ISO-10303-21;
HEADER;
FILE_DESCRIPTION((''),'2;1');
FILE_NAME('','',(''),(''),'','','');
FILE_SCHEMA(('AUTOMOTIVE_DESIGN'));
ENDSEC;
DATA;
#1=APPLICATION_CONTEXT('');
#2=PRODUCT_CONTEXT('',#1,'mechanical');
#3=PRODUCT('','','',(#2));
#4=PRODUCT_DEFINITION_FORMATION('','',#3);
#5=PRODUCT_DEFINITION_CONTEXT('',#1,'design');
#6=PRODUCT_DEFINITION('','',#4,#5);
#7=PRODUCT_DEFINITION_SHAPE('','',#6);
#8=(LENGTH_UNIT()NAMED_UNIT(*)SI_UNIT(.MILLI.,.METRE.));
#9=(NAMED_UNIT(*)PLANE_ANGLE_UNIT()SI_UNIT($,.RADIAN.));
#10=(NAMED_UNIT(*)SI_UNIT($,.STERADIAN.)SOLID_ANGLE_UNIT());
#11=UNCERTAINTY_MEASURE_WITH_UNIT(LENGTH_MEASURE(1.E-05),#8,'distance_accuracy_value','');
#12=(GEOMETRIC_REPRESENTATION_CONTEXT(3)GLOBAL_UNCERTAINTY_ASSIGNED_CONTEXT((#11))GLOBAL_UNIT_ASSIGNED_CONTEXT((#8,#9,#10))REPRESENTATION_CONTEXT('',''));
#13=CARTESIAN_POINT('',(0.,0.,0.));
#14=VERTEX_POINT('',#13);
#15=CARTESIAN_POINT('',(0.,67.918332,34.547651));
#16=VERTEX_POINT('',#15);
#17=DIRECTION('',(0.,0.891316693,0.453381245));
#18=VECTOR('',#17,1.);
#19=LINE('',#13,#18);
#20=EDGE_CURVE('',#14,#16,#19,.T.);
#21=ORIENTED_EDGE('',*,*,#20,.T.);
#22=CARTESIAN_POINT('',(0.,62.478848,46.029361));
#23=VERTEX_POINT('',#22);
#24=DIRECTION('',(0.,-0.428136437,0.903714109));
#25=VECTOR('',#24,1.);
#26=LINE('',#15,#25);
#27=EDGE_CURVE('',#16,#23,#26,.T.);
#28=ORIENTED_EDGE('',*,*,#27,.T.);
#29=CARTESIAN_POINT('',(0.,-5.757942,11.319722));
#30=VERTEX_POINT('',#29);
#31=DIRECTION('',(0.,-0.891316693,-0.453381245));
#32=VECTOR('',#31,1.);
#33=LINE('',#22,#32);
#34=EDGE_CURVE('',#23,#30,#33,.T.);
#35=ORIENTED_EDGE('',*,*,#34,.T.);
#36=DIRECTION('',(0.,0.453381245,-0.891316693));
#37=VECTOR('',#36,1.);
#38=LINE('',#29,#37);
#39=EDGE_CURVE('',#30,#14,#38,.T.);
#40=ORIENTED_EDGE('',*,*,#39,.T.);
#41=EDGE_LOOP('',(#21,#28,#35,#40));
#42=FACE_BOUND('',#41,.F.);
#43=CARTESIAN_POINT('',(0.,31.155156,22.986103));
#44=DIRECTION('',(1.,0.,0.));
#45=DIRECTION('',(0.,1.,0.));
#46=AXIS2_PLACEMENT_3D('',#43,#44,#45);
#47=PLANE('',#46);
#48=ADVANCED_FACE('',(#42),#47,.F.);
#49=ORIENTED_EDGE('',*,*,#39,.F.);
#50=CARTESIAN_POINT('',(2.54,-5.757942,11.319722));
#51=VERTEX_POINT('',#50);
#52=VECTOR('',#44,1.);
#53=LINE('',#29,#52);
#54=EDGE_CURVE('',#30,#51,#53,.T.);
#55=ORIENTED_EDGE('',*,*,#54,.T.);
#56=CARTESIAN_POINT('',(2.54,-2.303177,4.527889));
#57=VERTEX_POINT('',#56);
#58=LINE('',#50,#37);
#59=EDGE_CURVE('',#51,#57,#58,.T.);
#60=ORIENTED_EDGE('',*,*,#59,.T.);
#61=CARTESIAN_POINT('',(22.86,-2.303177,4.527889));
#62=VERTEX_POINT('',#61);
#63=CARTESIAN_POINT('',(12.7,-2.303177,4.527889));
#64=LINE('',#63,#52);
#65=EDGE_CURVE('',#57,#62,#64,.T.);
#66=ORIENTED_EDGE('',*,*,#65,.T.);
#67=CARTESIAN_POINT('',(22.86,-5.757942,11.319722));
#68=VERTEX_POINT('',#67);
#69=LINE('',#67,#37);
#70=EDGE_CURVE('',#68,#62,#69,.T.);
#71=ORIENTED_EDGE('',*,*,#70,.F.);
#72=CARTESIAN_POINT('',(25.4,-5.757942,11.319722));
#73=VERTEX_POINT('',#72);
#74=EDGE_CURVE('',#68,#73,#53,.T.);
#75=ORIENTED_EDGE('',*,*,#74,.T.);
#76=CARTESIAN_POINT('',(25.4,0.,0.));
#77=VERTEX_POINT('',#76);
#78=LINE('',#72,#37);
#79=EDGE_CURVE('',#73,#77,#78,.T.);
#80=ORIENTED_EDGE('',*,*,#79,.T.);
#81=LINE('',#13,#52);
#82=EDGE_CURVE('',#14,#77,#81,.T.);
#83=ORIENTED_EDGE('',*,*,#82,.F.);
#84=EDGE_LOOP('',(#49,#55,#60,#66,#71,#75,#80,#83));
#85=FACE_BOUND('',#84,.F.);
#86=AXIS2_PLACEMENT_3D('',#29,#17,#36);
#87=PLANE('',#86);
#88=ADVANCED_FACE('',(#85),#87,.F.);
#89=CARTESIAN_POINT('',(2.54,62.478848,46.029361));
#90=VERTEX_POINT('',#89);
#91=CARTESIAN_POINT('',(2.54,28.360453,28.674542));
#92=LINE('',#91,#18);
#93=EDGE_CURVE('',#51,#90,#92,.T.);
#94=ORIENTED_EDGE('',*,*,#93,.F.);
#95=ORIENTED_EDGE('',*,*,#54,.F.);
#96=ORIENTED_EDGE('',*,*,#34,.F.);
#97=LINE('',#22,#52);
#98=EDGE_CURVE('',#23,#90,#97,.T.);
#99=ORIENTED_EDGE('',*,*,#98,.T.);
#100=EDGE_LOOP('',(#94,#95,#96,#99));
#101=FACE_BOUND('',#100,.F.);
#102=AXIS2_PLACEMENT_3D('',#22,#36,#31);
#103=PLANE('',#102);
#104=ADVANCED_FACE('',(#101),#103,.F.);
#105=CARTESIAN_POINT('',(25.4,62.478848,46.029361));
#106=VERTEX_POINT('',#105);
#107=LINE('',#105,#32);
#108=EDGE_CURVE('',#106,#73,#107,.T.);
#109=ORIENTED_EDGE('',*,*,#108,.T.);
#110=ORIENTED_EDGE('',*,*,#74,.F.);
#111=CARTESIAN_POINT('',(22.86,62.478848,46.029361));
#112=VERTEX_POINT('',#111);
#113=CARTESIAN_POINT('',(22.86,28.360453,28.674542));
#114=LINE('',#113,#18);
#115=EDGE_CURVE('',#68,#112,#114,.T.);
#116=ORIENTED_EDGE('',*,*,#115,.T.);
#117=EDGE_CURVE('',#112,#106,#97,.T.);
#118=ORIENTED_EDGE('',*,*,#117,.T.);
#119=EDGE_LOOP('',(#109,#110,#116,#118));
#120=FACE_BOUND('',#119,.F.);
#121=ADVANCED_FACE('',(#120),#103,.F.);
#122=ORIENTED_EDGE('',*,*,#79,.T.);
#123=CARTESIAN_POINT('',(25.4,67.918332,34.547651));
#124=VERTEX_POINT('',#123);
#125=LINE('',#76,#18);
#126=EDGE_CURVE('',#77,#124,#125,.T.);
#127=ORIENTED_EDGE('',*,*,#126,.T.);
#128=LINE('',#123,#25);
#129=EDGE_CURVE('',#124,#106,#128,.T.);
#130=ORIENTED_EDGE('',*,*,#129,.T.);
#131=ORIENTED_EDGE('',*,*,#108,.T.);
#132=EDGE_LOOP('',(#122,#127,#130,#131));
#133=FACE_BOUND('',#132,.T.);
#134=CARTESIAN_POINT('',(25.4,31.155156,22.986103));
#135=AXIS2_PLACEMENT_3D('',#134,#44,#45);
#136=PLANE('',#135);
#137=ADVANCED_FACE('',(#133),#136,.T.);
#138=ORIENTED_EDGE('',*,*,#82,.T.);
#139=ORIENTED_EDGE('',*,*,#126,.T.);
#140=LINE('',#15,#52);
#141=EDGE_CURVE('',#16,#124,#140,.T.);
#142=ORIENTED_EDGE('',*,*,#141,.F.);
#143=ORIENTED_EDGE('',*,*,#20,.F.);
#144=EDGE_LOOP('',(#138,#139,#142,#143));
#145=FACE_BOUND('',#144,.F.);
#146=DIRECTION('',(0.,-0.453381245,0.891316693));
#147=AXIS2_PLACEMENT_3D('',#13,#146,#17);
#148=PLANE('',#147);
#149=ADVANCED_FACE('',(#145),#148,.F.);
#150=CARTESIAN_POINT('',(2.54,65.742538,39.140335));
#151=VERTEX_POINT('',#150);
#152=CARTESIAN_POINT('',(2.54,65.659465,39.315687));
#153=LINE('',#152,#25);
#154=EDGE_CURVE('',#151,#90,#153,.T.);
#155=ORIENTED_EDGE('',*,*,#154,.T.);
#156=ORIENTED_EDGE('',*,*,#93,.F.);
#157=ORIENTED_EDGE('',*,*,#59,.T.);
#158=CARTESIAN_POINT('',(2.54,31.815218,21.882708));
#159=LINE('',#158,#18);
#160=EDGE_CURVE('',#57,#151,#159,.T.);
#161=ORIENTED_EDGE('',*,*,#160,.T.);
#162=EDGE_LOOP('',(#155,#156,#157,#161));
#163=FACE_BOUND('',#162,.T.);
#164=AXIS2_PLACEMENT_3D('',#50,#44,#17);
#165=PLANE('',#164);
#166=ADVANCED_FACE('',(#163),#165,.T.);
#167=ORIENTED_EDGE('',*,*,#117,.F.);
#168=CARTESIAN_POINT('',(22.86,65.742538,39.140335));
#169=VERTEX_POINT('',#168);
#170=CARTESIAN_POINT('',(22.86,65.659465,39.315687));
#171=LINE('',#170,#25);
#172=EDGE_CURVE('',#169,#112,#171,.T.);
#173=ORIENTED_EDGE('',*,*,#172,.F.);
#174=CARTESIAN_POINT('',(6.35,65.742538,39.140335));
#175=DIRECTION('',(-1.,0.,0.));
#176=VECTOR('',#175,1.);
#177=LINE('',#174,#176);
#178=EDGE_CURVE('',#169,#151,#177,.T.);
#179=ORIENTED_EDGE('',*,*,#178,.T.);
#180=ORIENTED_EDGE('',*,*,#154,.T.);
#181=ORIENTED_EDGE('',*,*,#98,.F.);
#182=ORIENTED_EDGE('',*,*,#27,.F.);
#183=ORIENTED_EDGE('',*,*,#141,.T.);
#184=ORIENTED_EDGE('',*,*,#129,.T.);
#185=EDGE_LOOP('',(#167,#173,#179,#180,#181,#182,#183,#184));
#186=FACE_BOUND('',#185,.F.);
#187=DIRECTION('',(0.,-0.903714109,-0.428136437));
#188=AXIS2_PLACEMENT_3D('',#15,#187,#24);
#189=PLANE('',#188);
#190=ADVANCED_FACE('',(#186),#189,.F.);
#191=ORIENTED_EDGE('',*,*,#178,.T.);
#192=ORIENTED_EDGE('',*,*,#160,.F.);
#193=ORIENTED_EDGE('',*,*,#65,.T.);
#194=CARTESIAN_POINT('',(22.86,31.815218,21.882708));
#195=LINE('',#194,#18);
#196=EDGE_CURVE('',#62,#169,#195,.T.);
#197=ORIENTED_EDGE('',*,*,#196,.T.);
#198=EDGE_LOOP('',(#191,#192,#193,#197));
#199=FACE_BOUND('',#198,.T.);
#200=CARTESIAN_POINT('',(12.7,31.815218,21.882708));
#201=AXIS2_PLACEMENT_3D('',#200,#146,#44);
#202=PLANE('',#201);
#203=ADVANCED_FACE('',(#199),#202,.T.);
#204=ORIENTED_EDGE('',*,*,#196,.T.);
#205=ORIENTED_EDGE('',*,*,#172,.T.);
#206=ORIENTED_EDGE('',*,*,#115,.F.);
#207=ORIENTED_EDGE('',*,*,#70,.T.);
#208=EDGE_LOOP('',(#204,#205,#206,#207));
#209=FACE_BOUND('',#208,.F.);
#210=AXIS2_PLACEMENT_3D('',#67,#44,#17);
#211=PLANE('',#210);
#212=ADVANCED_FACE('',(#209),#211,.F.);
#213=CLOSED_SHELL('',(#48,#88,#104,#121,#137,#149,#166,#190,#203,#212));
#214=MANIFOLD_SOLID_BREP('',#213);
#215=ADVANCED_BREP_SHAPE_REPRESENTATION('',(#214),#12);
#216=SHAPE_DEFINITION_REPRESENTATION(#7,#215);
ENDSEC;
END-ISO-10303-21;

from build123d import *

# Parameters (mm, degrees)
F1_DEPTH = 25.4
F2_W     = 20.32
F2_H     = 76.557289119
F3_DEPTH = 7.62


with BuildPart() as f1:
    # F0 (on Right) → F1 (new body)
    with BuildSketch(Plane.YZ):
        Polygon((-5.7579418114, 11.3197219973), (0, 0), (67.918331984, 34.5476508683), (62.4788479285, 46.0293610512), align=None)
    extrude(amount=F1_DEPTH)

    # F2 (on face) → F3 (cut)
    with BuildSketch(Plane(origin=(0, -5.7579418114, 11.3197219973), x_dir=(1, 0, 0), z_dir=(0, -0.453381245, 0.8913166927))):
        with Locations((12.7, 38.2786445595)):
            Rectangle(F2_W, F2_H)
    extrude(amount=-F3_DEPTH, mode=Mode.SUBTRACT)


solid = f1.part
